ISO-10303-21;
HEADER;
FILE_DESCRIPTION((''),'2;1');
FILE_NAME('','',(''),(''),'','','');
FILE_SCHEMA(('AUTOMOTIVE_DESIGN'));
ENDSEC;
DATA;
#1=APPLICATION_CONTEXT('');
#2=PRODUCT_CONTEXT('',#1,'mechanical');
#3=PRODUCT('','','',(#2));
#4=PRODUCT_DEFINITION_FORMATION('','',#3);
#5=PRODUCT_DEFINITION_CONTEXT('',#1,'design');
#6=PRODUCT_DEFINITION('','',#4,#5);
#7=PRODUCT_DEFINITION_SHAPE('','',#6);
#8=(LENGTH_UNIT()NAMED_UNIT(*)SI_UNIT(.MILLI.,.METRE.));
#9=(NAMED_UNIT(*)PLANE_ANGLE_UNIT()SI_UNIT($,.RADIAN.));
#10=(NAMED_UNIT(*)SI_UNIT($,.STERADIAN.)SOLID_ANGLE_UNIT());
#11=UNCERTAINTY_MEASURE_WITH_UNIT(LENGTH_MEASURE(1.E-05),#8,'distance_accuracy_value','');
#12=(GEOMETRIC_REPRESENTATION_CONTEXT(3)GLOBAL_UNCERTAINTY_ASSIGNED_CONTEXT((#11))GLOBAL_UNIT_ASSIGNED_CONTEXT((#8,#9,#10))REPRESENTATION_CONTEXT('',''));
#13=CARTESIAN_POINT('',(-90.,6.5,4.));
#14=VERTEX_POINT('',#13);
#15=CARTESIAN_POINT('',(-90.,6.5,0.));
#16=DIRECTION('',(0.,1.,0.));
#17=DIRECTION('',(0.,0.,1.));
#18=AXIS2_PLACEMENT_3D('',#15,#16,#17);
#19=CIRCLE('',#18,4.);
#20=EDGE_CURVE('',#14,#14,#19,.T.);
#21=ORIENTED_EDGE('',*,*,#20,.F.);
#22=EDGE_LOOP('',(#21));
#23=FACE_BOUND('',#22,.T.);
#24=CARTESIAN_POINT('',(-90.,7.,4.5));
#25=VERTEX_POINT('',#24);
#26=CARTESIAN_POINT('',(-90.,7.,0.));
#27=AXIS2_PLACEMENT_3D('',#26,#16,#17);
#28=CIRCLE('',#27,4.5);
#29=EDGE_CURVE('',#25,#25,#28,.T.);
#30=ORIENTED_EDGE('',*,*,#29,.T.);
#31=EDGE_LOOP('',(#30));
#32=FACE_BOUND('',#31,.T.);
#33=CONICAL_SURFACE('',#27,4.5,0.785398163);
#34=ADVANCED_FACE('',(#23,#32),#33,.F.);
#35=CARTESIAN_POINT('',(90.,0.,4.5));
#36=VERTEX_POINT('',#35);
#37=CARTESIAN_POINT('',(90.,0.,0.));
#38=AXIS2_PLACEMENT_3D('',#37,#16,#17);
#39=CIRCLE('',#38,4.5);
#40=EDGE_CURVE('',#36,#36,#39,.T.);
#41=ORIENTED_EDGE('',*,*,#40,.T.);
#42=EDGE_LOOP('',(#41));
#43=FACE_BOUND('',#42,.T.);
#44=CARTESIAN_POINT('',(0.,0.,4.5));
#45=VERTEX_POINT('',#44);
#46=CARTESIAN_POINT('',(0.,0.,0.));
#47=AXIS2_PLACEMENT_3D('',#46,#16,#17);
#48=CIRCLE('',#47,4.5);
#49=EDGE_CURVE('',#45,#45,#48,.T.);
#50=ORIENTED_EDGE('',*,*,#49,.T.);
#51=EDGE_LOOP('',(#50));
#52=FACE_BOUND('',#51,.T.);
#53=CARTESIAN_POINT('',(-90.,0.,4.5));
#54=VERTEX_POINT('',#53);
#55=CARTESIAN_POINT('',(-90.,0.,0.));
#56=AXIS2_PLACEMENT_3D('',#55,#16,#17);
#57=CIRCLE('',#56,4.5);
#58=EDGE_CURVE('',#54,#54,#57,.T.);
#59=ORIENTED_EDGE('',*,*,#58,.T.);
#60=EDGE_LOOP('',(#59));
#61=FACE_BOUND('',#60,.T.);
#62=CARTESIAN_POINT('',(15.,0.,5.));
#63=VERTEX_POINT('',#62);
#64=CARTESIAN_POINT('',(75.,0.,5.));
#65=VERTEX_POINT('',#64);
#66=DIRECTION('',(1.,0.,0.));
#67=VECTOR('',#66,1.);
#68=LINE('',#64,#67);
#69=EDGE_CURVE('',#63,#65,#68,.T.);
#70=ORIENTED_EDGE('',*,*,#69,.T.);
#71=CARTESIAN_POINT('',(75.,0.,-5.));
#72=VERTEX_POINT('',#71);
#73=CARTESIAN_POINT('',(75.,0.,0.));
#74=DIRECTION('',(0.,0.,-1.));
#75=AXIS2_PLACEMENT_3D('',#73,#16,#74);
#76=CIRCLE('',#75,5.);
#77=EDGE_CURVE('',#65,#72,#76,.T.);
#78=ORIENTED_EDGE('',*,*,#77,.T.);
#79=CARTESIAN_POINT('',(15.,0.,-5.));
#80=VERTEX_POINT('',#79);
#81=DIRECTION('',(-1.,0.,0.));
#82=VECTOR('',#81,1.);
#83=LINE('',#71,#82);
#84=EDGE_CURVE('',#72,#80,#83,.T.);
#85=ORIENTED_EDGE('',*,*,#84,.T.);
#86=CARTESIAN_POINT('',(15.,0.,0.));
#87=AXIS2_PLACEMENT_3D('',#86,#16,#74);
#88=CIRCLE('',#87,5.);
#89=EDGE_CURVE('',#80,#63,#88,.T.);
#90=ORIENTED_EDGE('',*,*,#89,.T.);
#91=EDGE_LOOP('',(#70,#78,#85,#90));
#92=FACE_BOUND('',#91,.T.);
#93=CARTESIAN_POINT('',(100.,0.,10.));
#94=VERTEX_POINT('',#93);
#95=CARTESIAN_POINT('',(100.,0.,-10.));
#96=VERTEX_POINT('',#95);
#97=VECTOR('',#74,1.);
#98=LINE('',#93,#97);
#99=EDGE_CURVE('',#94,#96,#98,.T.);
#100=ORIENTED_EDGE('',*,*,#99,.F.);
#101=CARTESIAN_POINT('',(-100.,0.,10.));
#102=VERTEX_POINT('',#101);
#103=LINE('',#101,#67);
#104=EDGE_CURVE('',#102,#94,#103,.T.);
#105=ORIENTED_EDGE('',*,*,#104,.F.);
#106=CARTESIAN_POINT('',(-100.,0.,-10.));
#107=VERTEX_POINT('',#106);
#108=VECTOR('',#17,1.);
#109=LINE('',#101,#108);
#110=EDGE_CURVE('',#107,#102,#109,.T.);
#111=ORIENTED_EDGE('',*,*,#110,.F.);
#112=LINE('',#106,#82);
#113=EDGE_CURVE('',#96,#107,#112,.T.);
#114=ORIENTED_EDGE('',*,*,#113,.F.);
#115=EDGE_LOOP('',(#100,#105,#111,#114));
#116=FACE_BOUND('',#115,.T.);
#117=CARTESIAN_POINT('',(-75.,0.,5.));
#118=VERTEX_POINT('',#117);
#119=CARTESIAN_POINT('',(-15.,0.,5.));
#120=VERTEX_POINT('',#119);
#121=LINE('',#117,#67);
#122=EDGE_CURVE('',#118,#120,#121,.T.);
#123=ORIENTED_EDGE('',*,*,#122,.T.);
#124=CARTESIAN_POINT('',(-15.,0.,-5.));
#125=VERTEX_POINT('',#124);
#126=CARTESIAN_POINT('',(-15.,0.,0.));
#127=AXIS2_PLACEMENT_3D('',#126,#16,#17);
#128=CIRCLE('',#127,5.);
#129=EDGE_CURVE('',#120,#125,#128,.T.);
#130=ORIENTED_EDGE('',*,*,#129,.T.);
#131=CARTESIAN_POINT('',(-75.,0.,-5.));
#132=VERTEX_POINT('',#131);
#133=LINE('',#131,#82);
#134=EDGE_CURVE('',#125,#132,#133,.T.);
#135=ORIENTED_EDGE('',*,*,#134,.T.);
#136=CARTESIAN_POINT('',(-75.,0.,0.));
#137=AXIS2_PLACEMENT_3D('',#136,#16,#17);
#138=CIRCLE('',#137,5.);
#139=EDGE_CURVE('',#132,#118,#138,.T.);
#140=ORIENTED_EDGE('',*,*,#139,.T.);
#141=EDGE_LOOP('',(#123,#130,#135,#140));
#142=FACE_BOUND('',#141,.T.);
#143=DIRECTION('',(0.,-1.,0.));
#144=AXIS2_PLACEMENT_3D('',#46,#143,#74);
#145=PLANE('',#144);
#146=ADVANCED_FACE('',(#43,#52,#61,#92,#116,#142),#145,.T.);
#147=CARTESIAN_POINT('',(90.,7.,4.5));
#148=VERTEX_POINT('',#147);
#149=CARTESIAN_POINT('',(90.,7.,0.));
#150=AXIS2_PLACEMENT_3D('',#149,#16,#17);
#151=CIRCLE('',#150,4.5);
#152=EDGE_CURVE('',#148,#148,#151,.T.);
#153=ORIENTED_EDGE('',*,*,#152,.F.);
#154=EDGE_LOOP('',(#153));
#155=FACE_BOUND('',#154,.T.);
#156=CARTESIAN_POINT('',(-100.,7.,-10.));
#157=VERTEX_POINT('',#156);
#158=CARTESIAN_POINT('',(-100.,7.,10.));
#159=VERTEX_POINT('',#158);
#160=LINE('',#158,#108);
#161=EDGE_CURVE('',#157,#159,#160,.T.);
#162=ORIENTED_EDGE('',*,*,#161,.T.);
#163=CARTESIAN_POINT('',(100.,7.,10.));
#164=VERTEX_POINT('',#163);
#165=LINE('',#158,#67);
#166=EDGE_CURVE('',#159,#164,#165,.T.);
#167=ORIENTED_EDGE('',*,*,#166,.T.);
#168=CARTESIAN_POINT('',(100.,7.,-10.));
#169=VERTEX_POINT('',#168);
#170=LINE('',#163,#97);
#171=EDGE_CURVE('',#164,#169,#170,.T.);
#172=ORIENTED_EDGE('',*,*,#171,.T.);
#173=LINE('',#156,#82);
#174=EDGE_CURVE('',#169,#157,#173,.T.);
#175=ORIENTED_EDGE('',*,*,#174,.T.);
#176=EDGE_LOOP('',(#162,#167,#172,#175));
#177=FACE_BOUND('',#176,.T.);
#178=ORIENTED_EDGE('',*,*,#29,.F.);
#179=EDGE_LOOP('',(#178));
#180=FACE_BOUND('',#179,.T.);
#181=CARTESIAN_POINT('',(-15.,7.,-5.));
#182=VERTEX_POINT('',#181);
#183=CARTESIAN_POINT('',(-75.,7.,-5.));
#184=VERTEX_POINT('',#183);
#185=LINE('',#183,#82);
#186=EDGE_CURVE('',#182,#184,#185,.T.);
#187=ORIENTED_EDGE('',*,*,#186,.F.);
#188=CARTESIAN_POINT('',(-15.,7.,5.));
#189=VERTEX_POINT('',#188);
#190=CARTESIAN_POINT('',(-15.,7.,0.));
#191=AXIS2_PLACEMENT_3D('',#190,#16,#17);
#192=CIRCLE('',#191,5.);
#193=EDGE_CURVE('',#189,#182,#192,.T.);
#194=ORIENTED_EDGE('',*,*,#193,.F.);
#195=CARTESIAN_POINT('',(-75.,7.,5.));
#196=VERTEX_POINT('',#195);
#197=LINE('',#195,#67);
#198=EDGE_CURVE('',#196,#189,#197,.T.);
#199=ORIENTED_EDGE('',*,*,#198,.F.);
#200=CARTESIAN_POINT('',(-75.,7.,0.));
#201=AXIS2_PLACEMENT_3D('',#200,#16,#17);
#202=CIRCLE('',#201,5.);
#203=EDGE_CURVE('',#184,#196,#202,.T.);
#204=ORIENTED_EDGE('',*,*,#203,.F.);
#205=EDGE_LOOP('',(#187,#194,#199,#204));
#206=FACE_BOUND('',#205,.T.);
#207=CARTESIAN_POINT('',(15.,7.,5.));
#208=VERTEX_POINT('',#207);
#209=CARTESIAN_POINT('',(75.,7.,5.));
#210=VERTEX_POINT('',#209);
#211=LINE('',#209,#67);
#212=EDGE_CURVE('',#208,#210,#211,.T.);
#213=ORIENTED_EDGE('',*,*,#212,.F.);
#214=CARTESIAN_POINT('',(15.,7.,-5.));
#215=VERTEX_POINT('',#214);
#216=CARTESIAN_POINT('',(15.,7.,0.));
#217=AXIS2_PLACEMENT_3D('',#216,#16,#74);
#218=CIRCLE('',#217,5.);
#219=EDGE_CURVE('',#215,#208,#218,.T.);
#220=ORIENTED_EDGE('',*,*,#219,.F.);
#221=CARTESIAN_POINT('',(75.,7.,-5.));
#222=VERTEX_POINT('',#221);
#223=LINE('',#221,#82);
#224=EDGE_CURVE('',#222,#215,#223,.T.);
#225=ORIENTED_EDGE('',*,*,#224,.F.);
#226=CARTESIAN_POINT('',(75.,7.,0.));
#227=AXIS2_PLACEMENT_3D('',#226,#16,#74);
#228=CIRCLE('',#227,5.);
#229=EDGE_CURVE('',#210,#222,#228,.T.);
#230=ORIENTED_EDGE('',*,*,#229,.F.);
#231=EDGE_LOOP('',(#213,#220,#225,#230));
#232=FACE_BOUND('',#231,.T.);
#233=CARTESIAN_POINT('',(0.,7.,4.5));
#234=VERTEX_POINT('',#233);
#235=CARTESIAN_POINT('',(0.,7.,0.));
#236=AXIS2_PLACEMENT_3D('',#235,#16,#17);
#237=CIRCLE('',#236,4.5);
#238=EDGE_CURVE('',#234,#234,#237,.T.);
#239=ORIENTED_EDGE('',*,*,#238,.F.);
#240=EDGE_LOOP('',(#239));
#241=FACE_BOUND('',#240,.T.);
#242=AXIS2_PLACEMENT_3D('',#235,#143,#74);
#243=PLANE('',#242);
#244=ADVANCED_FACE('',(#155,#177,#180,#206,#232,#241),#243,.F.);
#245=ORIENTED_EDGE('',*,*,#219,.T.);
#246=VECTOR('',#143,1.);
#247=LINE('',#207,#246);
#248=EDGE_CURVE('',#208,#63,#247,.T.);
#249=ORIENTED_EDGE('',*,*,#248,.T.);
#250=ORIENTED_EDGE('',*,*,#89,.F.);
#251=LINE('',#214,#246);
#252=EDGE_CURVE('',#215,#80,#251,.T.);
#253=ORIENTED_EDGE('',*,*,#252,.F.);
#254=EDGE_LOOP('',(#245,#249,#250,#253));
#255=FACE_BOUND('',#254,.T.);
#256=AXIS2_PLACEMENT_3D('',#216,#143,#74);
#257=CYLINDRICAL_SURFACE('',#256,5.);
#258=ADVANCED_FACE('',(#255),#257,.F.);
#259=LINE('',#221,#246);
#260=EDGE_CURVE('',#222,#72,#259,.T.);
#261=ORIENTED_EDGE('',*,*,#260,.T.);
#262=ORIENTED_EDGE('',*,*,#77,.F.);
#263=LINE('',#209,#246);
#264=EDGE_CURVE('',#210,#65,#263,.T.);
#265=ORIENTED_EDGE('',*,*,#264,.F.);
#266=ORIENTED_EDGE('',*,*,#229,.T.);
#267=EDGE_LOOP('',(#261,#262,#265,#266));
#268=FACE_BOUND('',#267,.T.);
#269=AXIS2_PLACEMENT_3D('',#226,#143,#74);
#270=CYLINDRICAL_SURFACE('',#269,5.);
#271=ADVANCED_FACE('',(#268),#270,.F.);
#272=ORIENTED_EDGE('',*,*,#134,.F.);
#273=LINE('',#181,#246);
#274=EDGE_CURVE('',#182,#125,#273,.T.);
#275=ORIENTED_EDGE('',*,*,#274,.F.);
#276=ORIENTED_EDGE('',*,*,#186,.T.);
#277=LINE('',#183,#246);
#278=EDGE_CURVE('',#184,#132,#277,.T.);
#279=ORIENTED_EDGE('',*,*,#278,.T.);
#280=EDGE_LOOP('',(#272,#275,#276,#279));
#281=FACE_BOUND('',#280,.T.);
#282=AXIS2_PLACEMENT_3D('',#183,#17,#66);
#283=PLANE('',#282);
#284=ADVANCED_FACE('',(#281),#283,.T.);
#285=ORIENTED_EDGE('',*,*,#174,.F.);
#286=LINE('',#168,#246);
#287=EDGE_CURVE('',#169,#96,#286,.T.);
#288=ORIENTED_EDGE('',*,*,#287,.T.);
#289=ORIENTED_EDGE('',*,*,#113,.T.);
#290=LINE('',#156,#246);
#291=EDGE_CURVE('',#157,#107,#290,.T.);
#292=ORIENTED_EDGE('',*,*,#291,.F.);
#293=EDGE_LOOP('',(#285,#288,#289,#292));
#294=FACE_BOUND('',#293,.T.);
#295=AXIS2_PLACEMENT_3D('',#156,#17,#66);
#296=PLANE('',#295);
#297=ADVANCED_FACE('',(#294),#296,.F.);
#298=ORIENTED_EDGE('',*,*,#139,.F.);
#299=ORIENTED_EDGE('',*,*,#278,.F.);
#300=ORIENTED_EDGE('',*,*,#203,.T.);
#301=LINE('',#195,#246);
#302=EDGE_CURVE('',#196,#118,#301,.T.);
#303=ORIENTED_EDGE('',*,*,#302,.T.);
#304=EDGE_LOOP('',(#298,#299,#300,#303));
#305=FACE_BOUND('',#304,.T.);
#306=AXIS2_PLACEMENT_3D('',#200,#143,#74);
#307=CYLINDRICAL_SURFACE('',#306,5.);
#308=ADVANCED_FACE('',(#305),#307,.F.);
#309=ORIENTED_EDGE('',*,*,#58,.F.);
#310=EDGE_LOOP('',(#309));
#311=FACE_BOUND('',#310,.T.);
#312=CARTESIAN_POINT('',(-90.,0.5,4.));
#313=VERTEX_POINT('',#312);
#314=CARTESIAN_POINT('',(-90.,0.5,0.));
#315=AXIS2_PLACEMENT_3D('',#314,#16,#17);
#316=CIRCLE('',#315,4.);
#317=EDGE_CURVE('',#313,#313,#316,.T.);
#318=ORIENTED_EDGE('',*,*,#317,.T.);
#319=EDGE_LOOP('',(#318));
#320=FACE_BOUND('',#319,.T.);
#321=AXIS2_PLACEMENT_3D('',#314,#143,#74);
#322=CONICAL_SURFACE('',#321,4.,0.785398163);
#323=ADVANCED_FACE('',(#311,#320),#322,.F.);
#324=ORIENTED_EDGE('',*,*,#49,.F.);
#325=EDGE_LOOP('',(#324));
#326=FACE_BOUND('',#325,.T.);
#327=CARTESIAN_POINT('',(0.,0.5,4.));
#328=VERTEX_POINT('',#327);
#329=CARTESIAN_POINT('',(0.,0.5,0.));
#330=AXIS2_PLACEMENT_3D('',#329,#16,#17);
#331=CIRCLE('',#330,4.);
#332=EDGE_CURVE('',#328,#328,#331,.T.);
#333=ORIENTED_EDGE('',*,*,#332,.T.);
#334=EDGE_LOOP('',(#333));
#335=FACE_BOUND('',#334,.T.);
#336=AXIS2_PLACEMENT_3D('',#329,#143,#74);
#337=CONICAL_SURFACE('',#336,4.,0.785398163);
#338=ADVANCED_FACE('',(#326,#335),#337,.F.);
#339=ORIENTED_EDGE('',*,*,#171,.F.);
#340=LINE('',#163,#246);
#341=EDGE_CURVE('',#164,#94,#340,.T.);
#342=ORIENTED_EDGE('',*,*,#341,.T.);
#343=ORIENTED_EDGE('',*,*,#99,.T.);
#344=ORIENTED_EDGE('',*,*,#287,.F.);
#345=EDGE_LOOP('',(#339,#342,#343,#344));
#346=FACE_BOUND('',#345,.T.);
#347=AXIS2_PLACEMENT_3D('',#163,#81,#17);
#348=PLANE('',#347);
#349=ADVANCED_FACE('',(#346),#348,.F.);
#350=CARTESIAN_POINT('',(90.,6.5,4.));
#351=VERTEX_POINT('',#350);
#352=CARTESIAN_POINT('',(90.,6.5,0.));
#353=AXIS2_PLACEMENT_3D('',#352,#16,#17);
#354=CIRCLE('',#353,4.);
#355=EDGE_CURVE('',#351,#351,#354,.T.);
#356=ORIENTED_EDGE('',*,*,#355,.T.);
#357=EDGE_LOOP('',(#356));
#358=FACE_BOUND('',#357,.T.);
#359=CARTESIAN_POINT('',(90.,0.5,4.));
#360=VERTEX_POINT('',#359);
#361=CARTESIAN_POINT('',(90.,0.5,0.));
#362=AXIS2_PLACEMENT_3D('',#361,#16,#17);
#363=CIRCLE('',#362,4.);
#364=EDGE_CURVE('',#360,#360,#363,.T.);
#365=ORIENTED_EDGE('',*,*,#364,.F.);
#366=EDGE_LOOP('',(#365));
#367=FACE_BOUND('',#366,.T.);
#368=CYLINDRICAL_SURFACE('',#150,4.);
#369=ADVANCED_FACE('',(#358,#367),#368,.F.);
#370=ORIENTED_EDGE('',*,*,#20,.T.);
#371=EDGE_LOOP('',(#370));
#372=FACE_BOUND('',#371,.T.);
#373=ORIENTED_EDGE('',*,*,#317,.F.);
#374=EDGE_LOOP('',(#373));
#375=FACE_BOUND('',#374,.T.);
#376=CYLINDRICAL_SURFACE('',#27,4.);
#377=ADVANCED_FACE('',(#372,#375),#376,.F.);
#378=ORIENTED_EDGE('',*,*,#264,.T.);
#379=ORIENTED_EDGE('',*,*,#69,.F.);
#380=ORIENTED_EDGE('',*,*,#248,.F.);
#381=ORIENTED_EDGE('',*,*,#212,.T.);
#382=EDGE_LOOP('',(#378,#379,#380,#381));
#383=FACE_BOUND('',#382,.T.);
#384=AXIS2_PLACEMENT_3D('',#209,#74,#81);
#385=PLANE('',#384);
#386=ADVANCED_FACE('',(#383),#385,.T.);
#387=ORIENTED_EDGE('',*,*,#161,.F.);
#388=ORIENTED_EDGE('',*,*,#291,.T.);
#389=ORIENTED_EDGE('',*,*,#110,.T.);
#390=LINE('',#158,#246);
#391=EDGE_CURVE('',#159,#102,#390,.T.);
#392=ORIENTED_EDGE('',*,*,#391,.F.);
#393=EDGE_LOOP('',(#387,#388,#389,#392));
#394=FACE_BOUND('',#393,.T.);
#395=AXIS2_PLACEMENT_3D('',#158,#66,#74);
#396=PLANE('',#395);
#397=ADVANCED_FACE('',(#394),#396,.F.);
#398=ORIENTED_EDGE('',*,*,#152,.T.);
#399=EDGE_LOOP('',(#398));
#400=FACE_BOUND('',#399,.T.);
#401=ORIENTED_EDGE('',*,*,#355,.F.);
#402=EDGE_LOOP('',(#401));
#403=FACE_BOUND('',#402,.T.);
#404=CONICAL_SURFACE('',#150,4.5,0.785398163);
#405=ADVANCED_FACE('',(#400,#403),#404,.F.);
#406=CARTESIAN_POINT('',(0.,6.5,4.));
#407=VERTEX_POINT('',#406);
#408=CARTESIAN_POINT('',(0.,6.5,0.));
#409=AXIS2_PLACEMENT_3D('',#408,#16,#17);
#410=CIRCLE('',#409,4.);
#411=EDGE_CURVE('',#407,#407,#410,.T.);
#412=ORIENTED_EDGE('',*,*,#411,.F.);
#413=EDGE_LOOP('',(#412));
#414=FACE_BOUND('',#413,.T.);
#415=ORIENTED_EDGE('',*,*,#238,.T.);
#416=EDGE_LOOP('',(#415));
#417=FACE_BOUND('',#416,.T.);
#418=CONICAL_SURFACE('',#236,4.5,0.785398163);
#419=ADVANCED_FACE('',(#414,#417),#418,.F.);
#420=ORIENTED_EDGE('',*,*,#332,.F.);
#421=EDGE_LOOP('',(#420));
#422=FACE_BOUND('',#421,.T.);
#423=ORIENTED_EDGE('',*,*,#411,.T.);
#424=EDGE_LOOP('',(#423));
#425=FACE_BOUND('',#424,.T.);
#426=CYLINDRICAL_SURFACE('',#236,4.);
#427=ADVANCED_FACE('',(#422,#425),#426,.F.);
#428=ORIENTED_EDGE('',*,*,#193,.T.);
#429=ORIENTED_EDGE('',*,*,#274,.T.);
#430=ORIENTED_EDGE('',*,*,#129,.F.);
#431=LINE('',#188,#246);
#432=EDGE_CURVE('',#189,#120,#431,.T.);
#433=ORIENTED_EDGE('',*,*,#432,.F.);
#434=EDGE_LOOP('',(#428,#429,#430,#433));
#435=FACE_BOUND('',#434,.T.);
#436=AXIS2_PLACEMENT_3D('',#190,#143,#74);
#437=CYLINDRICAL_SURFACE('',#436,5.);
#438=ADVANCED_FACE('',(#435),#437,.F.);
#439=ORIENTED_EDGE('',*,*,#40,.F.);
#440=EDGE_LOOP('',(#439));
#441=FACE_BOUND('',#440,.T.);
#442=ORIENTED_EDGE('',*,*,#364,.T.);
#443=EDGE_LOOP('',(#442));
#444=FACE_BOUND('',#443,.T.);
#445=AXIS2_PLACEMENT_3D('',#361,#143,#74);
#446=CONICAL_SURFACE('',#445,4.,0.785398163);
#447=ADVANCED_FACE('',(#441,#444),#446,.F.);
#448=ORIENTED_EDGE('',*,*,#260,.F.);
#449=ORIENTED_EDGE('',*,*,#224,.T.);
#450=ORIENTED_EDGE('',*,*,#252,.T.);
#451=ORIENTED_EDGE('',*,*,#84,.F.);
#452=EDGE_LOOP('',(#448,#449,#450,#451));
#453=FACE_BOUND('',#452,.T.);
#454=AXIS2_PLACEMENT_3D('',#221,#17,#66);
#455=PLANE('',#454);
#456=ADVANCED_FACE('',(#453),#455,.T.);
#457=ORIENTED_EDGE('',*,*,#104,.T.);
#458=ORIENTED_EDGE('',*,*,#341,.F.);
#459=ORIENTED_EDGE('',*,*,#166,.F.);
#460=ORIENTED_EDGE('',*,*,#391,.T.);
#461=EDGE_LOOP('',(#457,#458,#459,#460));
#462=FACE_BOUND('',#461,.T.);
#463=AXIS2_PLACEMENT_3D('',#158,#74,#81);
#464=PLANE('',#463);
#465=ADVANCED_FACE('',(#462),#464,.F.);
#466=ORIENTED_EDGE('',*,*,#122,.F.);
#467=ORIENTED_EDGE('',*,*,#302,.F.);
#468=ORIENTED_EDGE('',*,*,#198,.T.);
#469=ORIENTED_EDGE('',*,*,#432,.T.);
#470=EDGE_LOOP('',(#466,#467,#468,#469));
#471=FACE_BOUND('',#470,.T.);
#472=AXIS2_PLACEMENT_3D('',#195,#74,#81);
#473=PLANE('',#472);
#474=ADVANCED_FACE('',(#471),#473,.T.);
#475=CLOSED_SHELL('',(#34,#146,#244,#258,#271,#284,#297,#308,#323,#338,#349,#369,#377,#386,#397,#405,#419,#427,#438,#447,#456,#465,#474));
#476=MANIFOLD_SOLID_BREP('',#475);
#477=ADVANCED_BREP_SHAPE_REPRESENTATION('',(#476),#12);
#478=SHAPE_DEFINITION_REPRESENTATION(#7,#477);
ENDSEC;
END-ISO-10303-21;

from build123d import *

# Parameters (mm, degrees)
SZKIC1_W                            = 200
SZKIC1_H                            = 20
DODANIE_WYCI_GNI_CIE1_DEPTH         = 7
OTWORY_USTALAJ_CE_8_0MM1_AT_2_COUNT = 2
OTWORY_USTALAJ_CE_8_0MM1_AT_2_PITCH = 90
OTWORY_USTALAJ_CE_8_0MM1_AT_3_COUNT = 2
OTWORY_USTALAJ_CE_8_0MM1_AT_3_PITCH = 180


with BuildPart() as part:
    # Szkic1 → Dodanie-wyciągnięcie1 (new body)
    with BuildSketch(Plane(origin=(0, 0, 0), x_dir=(1, 0, 0), z_dir=(0, 1, 0))):
        Rectangle(SZKIC1_W, SZKIC1_H)
        with BuildLine():
            Line((-75, 5), (-15, 5))
            ThreePointArc((-15, 5), (-10, 0), (-15, -5))
            Line((-15, -5), (-75, -5))
            ThreePointArc((-75, -5), (-80, 0), (-75, 5))
        make_face(mode=Mode.SUBTRACT)
        with BuildLine():
            Line((75, 5), (15, 5))
            ThreePointArc((15, 5), (10, 0), (15, -5))
            Line((15, -5), (75, -5))
            ThreePointArc((75, -5), (80, 0), (75, 5))
        make_face(mode=Mode.SUBTRACT)
    extrude(amount=DODANIE_WYCI_GNI_CIE1_DEPTH)

    # Szkic4 → Otwory ustalające Ø8.0mm1 (revolve, cut)
    with BuildSketch(Plane(origin=(-90, 7, 0), x_dir=(0, 0, 1), z_dir=(1, 0, 0))):
        Polygon((0, 0), (0, 7), (4.5, 7), (4, 6.5), (4, 0.5), (4.5, 0), align=None)
    otwory_ustalaj_ce_8_0mm1 = revolve(axis=Axis((-90, 13.35, 0), (0, -1, 0)), mode=Mode.SUBTRACT)

    # Otwory ustalające Ø8.0mm1 at 2: Otwory ustalające Ø8.0mm1 ×2
    with Locations(*[(i * OTWORY_USTALAJ_CE_8_0MM1_AT_2_PITCH, 0, 0) for i in range(1, OTWORY_USTALAJ_CE_8_0MM1_AT_2_COUNT)]):
        add(otwory_ustalaj_ce_8_0mm1, mode=Mode.SUBTRACT)

    # Otwory ustalające Ø8.0mm1 at 3: Otwory ustalające Ø8.0mm1 ×2
    with Locations(*[(i * OTWORY_USTALAJ_CE_8_0MM1_AT_3_PITCH, 0, 0) for i in range(1, OTWORY_USTALAJ_CE_8_0MM1_AT_3_COUNT)]):
        add(otwory_ustalaj_ce_8_0mm1, mode=Mode.SUBTRACT)


solid = part.part
